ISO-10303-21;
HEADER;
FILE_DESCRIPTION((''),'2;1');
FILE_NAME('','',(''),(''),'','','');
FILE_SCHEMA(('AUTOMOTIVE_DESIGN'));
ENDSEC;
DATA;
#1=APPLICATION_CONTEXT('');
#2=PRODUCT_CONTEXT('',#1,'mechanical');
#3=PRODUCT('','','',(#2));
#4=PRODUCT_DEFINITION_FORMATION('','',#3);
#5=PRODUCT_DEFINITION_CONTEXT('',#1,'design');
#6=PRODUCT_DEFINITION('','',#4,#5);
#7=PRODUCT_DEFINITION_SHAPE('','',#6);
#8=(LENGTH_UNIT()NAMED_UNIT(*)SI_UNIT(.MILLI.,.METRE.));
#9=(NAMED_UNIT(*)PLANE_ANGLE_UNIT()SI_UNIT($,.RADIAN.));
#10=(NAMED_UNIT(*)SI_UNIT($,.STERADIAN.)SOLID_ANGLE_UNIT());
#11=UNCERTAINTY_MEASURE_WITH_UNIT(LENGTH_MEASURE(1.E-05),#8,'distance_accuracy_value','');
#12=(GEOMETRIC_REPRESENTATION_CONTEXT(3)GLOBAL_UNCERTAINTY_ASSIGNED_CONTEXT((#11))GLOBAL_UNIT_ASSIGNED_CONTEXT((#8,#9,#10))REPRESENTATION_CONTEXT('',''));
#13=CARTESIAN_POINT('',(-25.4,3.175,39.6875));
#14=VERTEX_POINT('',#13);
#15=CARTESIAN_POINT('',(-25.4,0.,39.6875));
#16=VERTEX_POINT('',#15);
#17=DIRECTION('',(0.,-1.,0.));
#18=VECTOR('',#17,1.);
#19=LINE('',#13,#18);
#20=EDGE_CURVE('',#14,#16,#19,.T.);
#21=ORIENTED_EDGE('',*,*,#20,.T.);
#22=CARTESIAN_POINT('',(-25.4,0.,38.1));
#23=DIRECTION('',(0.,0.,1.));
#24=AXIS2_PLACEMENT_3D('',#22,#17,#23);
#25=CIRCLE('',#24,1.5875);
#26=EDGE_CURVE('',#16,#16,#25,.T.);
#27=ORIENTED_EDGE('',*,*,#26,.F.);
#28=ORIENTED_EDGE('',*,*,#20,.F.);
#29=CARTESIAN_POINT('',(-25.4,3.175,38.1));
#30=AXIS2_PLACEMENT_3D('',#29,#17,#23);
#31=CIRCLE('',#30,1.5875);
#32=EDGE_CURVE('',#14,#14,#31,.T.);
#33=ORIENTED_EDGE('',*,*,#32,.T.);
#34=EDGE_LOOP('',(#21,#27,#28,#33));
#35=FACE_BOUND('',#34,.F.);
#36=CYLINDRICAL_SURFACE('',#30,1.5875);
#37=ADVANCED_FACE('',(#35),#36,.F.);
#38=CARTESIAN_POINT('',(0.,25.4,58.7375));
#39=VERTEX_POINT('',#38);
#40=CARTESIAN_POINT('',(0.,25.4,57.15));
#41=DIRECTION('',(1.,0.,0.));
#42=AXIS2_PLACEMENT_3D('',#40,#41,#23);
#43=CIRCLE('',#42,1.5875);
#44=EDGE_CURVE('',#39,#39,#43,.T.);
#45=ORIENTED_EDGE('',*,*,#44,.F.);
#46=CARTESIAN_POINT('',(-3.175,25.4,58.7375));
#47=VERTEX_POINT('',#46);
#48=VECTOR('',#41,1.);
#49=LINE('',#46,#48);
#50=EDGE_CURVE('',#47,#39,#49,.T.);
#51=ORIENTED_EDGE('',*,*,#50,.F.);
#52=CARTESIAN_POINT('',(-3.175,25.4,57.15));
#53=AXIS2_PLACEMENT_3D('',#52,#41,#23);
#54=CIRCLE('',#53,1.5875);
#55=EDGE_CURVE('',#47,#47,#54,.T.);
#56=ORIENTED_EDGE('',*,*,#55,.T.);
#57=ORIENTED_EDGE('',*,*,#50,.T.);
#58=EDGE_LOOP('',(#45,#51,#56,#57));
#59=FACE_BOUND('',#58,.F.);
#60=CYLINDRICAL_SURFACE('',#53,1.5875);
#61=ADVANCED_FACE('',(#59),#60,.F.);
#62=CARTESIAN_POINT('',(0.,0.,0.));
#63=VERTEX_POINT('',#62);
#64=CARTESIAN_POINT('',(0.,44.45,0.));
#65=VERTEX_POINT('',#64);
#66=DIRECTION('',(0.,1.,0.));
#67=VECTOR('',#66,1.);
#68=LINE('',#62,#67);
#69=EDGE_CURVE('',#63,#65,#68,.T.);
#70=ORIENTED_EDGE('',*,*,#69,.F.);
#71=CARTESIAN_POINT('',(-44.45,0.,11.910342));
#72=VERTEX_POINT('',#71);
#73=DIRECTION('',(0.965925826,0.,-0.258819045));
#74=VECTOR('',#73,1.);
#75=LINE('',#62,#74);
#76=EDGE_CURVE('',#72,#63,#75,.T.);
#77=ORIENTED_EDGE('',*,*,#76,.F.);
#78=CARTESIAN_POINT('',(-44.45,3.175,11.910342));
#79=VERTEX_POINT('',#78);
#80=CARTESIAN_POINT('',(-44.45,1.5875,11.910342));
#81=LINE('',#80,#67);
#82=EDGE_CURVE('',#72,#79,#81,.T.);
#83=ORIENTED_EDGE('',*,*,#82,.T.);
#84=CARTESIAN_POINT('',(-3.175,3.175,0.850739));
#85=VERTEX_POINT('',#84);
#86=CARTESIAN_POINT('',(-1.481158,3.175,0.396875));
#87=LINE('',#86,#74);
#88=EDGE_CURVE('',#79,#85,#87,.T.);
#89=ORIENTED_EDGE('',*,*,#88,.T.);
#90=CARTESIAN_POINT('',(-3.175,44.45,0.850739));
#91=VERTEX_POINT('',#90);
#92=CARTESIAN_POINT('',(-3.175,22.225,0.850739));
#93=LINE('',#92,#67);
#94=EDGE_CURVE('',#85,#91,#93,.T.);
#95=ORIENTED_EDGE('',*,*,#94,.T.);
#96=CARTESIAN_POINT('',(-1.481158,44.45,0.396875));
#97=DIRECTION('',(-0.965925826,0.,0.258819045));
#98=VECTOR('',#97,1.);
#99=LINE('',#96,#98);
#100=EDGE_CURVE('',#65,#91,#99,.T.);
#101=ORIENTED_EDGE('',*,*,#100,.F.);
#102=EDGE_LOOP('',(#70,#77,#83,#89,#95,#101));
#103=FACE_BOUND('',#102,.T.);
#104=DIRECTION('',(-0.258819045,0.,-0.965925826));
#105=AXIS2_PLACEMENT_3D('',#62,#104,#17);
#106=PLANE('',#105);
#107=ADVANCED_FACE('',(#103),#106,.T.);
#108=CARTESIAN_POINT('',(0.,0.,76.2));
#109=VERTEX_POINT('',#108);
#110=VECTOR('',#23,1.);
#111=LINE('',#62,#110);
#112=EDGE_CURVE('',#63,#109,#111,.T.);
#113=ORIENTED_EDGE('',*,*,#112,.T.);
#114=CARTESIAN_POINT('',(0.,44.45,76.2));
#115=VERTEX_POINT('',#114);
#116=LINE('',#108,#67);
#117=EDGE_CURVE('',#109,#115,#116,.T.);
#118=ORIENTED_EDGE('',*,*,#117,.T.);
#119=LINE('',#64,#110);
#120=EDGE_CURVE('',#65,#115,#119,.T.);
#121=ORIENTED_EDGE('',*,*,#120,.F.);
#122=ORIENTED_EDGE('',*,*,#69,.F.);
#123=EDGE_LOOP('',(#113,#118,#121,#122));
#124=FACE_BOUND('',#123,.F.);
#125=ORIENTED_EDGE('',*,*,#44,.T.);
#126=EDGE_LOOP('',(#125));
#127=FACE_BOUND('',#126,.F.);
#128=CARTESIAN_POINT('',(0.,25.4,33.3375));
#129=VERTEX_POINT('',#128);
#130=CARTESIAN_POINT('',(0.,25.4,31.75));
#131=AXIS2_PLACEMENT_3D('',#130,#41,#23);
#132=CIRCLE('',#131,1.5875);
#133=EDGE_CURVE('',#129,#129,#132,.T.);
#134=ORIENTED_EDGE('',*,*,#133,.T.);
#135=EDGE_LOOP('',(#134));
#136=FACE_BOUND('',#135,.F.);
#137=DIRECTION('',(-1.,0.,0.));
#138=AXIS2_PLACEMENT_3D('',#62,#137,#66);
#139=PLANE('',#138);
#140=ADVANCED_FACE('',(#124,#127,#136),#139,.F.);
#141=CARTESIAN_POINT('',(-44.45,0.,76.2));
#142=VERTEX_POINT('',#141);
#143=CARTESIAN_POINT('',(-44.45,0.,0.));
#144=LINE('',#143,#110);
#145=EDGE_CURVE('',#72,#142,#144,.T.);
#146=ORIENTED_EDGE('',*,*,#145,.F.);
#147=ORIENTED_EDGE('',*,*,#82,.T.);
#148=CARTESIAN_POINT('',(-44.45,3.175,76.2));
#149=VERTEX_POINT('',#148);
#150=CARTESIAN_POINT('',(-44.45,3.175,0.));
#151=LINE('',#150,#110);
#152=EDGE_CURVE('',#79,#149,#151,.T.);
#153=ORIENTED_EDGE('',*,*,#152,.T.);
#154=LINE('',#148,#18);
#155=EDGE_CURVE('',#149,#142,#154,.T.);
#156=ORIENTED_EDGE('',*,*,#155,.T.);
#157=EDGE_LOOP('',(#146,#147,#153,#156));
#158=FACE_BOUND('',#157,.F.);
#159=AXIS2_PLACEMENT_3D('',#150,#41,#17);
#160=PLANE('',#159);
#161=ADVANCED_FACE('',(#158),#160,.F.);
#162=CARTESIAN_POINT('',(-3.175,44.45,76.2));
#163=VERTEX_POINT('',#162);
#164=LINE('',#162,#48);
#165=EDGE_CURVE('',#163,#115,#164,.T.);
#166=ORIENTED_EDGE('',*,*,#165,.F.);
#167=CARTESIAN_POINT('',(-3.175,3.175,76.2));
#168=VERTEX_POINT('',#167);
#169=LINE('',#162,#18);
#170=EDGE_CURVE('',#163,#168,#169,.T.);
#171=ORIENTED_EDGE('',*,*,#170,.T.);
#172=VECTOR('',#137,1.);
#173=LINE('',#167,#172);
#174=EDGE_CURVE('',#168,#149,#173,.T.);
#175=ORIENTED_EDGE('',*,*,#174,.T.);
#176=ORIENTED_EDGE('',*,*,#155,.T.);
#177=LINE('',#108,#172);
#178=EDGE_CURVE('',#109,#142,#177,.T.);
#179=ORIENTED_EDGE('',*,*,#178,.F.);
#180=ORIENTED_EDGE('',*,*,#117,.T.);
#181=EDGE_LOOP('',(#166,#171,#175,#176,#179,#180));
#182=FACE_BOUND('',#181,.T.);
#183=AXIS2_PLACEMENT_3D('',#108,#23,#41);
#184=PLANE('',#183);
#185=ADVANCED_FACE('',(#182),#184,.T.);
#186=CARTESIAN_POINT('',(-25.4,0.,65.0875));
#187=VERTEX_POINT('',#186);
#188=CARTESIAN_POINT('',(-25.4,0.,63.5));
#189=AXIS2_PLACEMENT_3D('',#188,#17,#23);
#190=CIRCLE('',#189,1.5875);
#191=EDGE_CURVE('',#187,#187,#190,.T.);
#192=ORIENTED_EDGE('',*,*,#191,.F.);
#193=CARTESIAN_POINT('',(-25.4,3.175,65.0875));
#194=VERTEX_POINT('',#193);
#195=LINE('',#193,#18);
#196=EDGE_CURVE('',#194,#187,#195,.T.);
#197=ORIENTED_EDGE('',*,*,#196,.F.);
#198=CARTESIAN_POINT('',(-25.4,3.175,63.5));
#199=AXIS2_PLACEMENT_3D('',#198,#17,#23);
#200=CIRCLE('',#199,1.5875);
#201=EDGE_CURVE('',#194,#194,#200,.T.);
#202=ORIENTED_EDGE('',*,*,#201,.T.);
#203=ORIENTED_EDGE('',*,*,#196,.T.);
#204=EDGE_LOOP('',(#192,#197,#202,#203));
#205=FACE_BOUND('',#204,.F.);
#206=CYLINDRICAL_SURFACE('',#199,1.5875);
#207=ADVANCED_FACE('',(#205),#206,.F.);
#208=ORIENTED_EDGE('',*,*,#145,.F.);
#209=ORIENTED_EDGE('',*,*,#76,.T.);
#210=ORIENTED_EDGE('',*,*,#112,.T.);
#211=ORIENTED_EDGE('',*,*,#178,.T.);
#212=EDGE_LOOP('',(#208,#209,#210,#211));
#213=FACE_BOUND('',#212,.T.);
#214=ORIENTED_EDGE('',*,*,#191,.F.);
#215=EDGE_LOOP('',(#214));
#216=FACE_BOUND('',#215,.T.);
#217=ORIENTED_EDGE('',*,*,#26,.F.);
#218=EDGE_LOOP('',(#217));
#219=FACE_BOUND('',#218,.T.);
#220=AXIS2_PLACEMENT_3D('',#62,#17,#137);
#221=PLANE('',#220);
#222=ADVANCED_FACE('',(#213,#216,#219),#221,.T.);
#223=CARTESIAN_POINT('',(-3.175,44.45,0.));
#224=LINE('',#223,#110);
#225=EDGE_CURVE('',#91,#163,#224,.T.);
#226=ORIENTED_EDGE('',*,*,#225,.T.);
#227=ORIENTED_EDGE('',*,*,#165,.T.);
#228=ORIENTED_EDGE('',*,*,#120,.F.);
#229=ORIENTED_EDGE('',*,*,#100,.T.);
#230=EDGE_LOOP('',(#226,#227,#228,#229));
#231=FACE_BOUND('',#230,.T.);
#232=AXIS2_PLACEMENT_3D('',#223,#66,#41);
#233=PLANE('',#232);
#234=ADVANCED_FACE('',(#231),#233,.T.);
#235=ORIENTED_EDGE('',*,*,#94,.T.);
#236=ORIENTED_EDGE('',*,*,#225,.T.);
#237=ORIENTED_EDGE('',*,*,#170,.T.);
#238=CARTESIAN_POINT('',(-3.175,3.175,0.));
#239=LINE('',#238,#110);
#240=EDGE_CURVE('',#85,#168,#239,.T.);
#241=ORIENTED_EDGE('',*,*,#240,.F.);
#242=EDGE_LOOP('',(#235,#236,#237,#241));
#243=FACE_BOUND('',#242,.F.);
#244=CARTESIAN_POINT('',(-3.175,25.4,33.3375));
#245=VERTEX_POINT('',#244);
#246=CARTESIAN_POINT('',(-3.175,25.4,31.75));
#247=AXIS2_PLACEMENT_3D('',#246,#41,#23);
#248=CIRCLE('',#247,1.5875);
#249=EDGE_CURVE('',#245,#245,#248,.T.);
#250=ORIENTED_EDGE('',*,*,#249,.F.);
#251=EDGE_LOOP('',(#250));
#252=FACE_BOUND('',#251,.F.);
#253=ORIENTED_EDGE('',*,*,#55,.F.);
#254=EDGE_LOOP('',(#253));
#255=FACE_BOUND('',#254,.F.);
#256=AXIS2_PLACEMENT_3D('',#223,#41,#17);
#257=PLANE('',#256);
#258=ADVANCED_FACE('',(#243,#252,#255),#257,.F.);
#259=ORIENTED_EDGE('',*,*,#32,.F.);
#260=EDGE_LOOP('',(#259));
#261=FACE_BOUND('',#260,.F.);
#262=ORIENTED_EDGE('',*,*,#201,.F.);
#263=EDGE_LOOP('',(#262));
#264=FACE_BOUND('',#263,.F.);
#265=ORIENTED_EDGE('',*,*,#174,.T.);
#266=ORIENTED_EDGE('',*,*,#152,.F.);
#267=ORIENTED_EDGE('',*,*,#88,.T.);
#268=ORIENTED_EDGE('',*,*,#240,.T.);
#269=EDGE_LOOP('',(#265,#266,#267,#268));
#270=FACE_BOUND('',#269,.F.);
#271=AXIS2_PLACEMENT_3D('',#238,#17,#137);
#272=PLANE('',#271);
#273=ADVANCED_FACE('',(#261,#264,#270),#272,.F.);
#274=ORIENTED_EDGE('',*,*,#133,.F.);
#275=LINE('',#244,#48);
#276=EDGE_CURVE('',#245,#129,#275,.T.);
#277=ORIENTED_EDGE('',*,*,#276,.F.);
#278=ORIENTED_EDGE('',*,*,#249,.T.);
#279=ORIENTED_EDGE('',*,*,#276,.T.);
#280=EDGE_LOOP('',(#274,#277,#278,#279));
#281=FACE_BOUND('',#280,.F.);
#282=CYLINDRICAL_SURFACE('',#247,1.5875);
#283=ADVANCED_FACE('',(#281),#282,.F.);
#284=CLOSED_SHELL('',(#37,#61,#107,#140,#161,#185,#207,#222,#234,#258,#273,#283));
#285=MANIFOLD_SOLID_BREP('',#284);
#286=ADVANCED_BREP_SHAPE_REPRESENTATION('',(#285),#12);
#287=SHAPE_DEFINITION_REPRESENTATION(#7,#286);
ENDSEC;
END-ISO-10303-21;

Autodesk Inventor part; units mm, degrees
ref_plane "YZ Plane" through (0, 0, 0) normal (1, 0, 0) x (0, 1, 0)
ref_plane "XZ Plane" through (0, 0, 0) normal (0, 1, 0) x (-1, 0, 0)
sketch "Sketch1" plane through (0, 0, 0) normal (0, 0, 1) x (1, 0, 0)
  line L0 (0, 0) -> (0, 44.45)
  line L1 (0, 0) -> (-44.45, 0)
  line L2 (-3.175, 44.45) -> (-3.175, 3.175)
  line L3 (-3.175, 3.175) -> (-44.45, 3.175)
  line L4 (-3.175, 44.45) -> (0, 44.45)
  line L5 (-44.45, 3.175) -> (-44.45, 0)
  dimension "d0" = 44.45
  dimension "d1" = 44.45
  dimension "d2" = 3.175
extrude "Extrusion1" add sketch "Sketch1" along normal blind 76.2
ref_plane "Work Plane1" through (0, 0, 0) normal (-0.2588, 0, -0.9659) x (0, 1, 0)
split "Split1" plane through (0, 0, 0) removes the side toward (-0.2588, 0, -0.9659)
sketch "Sketch2" plane through (-44.45, 3.175, 76.2) normal (0, 1, 0) x (1, 0, 0)
  line L0 (0, 0) -> (44.45, 0) projected
  circle A0 centre (19.05, 12.7) radius 2.0125
  circle A1 centre (19.05, 38.1) radius 1.8125
  line L1 (0, 64.2897) -> (0, 0) projected
  point P0 (44.45, 76.2)
  dimension "d6" = 12.7
  dimension "d7" = 25.4
  dimension "d28" = 19.05
  dimension "d29" = 19.05
hole "Hole1" at (-25.4, 3.175, 38.1) at (-25.4, 3.175, 63.5) direction (0, -1, 0) diameter 3.175 end through all
sketch "Sketch3" plane through (-3.175, 3.175, 76.2) normal (-1, 0, 0) x (0, 0, 1)
  line L0 (0, -3.175) -> (0, 41.275)
  line L1 (-75.3493, 41.275) -> (-75.3493, 0)
  circle A0 centre (-19.05, 22.225) radius 1.7587
  circle A1 centre (-44.45, 22.225) radius 1.632
  line L2 (-75.3493, 41.275) -> (0, 41.275) projected
  point P0 (-76.2, -3.175)
  dimension "d15" = 19.05
  dimension "d16" = 25.4
  dimension "d26" = 19.05
  dimension "d27" = 19.05
hole "Hole2" at (-3.175, 25.4, 31.75) at (-3.175, 25.4, 57.15) direction (1, 0, 0) diameter 3.175 end through all
properties part number "ring support right" material "Aluminum 6061"
